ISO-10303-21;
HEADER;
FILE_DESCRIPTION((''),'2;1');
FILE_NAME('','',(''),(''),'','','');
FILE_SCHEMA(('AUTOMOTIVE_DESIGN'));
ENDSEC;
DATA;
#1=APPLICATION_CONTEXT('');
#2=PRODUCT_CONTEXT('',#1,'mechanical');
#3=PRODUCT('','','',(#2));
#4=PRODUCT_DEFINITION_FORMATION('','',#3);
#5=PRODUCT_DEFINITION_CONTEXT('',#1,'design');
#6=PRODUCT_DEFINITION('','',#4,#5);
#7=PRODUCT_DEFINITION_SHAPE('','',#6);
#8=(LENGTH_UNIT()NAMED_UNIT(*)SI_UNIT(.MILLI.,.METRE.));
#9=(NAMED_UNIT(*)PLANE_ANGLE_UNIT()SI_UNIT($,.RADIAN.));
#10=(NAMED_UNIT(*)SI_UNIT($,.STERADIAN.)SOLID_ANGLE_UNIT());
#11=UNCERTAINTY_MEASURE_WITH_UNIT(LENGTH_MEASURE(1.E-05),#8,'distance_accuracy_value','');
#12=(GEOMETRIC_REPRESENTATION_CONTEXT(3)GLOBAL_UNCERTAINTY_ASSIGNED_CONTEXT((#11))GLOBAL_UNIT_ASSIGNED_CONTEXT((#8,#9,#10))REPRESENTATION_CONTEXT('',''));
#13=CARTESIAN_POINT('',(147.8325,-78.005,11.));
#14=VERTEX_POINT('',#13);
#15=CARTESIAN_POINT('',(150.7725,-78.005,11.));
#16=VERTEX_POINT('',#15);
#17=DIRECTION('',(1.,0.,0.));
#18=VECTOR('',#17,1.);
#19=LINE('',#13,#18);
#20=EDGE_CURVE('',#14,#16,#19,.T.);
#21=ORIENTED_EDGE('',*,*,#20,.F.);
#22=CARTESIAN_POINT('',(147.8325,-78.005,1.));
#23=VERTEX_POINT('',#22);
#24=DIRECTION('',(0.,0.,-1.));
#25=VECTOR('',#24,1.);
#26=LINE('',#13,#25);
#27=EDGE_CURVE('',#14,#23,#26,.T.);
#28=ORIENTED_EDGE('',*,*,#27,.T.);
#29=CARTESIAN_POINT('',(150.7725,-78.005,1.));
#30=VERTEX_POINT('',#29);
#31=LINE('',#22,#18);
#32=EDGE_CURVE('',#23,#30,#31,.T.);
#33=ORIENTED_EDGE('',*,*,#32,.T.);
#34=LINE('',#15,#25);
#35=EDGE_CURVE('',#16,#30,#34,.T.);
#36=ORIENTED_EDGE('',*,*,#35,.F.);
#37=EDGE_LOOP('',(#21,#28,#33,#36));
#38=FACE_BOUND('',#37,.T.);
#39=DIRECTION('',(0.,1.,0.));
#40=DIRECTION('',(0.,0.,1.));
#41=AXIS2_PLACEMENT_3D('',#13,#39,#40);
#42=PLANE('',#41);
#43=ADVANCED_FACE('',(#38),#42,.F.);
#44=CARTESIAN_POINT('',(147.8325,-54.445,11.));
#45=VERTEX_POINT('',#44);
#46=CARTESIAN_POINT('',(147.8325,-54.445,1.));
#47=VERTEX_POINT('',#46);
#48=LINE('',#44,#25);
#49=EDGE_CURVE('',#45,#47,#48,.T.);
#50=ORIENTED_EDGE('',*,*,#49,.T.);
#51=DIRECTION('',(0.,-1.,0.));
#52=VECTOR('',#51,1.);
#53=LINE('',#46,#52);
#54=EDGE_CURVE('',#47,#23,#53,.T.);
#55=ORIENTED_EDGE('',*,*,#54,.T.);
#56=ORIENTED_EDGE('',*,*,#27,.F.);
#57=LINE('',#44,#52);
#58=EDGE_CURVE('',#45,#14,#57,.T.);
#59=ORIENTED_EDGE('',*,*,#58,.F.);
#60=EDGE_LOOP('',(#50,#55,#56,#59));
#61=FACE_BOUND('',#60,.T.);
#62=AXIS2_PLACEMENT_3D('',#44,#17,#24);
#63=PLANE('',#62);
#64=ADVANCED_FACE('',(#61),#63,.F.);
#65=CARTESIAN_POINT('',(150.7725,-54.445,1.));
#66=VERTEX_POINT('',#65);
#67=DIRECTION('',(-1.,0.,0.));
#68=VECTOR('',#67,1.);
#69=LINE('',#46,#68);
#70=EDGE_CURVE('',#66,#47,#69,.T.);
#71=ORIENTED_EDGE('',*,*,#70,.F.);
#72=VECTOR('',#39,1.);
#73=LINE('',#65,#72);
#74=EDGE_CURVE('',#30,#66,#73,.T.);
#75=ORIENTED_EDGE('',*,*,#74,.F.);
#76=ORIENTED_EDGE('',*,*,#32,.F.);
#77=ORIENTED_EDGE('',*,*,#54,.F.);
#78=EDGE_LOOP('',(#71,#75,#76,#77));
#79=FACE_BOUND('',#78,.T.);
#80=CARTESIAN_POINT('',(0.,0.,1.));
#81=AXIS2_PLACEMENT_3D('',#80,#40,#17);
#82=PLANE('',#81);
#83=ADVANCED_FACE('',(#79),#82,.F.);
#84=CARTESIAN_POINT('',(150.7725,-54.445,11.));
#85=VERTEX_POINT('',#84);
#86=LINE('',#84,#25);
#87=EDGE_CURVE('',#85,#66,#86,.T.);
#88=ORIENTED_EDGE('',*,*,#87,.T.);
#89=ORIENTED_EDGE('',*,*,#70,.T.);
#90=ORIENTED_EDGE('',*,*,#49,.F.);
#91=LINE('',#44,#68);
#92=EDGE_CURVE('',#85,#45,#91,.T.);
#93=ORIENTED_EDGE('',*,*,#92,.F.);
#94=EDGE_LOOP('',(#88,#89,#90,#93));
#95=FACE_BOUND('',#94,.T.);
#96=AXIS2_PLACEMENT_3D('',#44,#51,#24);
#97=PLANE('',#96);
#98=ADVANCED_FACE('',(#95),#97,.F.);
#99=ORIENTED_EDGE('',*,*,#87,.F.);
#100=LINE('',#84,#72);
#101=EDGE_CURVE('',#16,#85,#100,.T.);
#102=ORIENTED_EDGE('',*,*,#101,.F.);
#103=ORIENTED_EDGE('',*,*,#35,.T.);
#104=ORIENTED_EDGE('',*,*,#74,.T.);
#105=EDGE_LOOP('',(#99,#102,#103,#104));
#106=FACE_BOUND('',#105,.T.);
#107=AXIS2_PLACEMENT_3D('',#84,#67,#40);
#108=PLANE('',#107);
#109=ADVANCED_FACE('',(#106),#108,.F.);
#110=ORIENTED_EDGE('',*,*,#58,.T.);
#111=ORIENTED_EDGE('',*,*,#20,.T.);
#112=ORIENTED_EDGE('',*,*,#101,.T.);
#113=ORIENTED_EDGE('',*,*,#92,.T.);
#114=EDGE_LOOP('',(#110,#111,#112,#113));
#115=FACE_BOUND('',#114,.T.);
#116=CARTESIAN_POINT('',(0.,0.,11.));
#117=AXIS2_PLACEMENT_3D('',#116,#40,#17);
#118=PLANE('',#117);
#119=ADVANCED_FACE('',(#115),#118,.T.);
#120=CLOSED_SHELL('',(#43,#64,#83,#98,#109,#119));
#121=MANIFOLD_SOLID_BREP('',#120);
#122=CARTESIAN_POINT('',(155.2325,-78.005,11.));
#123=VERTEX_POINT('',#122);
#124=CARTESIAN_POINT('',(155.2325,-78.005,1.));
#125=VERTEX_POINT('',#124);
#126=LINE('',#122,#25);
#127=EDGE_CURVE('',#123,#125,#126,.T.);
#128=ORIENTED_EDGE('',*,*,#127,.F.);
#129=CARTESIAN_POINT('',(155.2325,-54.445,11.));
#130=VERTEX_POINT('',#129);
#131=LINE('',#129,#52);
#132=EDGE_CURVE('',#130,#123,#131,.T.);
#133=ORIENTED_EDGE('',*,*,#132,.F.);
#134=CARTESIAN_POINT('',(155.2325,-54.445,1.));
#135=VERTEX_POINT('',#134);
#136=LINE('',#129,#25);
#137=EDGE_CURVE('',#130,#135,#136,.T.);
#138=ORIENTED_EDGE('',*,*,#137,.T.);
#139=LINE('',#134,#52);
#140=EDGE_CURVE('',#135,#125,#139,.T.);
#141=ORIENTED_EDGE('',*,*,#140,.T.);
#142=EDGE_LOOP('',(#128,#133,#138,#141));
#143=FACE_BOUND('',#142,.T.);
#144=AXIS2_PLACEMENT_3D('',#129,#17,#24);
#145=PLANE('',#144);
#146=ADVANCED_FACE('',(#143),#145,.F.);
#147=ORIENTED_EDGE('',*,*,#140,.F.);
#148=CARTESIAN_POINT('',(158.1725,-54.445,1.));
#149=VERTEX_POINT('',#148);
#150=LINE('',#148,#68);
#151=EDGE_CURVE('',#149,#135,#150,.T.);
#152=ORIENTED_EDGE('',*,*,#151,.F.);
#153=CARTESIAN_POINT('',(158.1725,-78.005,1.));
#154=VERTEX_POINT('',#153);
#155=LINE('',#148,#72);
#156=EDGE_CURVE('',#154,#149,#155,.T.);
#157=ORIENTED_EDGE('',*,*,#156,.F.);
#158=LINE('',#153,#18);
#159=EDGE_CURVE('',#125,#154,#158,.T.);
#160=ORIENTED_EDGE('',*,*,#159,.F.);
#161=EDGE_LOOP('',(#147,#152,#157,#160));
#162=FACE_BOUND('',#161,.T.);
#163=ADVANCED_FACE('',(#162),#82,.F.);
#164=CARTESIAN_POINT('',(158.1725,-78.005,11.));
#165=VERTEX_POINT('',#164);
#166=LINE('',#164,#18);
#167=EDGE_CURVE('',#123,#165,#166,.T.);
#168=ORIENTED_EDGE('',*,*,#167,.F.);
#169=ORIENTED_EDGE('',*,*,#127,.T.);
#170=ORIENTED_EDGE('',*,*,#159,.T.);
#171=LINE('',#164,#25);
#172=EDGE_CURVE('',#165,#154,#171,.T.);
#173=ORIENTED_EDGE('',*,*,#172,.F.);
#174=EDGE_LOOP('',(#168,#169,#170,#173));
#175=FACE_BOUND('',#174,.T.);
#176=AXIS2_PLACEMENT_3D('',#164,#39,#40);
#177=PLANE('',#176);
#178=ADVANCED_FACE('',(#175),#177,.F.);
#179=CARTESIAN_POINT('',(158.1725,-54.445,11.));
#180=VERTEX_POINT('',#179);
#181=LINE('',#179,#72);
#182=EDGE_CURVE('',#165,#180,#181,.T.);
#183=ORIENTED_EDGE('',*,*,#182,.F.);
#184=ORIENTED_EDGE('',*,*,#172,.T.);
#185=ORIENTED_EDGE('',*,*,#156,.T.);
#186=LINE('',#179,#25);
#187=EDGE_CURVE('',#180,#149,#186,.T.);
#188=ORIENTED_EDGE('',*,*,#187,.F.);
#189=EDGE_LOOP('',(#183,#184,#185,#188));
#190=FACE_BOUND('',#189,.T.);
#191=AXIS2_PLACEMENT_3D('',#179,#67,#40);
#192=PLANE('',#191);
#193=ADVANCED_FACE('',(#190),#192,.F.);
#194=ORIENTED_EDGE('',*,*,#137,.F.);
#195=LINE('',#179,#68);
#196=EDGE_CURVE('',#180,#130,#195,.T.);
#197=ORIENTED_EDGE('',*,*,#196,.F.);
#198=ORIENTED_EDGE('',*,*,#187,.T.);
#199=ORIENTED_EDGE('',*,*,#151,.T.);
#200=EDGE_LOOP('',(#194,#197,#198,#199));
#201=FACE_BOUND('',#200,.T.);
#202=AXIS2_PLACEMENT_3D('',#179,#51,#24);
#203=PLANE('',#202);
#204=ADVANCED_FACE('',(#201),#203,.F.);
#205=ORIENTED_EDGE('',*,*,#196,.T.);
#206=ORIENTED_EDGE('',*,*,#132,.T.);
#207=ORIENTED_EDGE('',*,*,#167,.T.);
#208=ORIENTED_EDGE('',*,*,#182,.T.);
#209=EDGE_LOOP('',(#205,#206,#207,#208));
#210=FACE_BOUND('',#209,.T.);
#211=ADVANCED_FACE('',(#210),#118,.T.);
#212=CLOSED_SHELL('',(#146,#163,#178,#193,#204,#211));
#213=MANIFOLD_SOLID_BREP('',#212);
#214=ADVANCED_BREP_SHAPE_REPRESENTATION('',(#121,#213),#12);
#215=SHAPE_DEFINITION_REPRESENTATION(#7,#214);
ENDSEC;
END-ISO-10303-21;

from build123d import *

# Parameters (mm, degrees)
AUFSATZ_LINEAR_START              = 1
SKIZZE1_W                         = 2.94
SKIZZE1_H                         = 23.56
AUFSATZ_LINEAR_AUSTRAGEN1_DEPTH   = 10
AUFSATZ_LINEAR_AUSTRAGEN1_2_DEPTH = 10


with BuildPart() as part:
    # Skizze1 → Aufsatz-Linear austragen1 (new body)
    with BuildSketch(Plane.XY.offset(AUFSATZ_LINEAR_START)):
        with Locations((149.3025, -66.225)):
            Rectangle(SKIZZE1_W, SKIZZE1_H)
    extrude(amount=AUFSATZ_LINEAR_AUSTRAGEN1_DEPTH)


with BuildPart() as body_2:
    # Skizze1 → Aufsatz-Linear austragen1 2 (new body)
    with BuildSketch(Plane.XY.offset(AUFSATZ_LINEAR_START)):
        with Locations((156.7025, -66.225)):
            Rectangle(SKIZZE1_W, SKIZZE1_H)
    extrude(amount=AUFSATZ_LINEAR_AUSTRAGEN1_2_DEPTH)


solid = Compound([part.part, body_2.part])
